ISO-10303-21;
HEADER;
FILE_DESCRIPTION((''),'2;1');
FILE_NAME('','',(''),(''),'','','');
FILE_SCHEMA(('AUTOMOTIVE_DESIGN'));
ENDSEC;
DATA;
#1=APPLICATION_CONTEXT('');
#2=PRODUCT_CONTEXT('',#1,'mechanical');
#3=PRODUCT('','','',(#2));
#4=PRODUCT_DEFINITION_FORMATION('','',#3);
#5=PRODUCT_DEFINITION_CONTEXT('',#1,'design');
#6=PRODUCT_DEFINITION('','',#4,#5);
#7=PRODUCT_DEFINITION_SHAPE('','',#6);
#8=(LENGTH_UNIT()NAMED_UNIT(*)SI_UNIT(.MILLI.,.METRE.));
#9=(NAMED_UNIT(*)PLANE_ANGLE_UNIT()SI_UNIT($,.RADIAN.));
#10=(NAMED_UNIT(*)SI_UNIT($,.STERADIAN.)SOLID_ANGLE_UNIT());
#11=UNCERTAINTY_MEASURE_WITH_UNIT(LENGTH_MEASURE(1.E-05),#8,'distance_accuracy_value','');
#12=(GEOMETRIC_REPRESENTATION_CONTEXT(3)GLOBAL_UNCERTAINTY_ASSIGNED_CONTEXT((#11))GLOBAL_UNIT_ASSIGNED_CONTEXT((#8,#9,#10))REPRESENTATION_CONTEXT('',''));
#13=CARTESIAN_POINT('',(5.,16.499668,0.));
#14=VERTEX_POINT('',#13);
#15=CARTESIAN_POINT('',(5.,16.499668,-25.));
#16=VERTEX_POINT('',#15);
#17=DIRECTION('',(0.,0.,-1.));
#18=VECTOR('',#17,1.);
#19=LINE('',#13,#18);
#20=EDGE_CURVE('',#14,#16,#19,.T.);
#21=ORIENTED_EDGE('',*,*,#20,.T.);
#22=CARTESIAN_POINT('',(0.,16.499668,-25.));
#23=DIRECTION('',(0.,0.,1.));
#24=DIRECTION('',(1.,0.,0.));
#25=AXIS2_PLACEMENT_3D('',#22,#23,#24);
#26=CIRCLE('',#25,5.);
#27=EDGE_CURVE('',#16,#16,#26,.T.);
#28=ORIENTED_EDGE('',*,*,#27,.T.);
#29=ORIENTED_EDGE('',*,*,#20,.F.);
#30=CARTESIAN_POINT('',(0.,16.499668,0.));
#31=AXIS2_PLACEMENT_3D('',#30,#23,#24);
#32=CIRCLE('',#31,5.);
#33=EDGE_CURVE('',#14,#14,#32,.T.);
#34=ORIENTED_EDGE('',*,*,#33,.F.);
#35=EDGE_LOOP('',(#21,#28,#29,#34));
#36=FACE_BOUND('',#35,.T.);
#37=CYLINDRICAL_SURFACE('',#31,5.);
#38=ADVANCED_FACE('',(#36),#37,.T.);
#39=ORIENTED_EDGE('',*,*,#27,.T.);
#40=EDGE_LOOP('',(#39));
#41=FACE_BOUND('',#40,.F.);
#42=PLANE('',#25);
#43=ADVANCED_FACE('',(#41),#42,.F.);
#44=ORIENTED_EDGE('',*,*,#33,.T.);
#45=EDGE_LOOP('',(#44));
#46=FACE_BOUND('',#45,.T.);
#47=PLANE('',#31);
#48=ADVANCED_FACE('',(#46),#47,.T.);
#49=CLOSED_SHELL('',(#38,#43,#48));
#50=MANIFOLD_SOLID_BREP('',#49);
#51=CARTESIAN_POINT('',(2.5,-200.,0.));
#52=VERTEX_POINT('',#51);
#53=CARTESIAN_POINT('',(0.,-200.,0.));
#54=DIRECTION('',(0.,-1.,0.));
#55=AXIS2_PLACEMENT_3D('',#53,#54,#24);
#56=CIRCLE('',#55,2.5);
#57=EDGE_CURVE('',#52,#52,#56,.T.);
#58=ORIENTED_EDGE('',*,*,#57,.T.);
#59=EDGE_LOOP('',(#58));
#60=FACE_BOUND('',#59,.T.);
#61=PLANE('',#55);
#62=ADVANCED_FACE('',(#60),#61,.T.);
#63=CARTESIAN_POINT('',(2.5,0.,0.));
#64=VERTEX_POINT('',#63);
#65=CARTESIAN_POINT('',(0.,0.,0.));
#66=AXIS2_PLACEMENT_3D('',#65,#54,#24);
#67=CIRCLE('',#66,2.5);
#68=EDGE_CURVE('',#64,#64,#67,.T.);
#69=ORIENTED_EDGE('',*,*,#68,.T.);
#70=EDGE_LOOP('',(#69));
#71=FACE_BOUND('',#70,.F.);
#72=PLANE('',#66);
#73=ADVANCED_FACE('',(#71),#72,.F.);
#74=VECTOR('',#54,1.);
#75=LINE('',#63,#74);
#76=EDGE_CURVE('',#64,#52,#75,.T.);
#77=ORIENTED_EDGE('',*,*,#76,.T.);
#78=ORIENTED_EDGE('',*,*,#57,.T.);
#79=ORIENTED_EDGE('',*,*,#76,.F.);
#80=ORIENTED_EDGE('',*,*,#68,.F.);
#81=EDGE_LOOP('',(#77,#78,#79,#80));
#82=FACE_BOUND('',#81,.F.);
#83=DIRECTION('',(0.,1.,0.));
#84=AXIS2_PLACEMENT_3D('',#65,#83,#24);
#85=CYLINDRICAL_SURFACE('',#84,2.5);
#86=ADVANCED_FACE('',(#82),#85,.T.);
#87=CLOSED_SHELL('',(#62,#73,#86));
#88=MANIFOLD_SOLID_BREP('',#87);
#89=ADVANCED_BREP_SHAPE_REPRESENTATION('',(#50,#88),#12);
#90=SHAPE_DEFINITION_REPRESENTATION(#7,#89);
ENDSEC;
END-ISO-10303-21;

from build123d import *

# Parameters (mm, degrees)
F0_R     = 2.5
F1_DEPTH = 200
F2_R     = 5
F3_DEPTH = 25


with BuildPart() as f1:
    # F0 (on Front) → F1 (new body)
    with BuildSketch(Plane.XZ):
        Circle(F0_R)
    extrude(amount=F1_DEPTH)


with BuildPart() as f3:
    # F2 (on Top) → F3 (new body)
    with BuildSketch(Plane.XY):
        with Locations((0, 16.499668)):
            Circle(F2_R)
    extrude(amount=-F3_DEPTH)


solid = Compound([f1.part, f3.part])
